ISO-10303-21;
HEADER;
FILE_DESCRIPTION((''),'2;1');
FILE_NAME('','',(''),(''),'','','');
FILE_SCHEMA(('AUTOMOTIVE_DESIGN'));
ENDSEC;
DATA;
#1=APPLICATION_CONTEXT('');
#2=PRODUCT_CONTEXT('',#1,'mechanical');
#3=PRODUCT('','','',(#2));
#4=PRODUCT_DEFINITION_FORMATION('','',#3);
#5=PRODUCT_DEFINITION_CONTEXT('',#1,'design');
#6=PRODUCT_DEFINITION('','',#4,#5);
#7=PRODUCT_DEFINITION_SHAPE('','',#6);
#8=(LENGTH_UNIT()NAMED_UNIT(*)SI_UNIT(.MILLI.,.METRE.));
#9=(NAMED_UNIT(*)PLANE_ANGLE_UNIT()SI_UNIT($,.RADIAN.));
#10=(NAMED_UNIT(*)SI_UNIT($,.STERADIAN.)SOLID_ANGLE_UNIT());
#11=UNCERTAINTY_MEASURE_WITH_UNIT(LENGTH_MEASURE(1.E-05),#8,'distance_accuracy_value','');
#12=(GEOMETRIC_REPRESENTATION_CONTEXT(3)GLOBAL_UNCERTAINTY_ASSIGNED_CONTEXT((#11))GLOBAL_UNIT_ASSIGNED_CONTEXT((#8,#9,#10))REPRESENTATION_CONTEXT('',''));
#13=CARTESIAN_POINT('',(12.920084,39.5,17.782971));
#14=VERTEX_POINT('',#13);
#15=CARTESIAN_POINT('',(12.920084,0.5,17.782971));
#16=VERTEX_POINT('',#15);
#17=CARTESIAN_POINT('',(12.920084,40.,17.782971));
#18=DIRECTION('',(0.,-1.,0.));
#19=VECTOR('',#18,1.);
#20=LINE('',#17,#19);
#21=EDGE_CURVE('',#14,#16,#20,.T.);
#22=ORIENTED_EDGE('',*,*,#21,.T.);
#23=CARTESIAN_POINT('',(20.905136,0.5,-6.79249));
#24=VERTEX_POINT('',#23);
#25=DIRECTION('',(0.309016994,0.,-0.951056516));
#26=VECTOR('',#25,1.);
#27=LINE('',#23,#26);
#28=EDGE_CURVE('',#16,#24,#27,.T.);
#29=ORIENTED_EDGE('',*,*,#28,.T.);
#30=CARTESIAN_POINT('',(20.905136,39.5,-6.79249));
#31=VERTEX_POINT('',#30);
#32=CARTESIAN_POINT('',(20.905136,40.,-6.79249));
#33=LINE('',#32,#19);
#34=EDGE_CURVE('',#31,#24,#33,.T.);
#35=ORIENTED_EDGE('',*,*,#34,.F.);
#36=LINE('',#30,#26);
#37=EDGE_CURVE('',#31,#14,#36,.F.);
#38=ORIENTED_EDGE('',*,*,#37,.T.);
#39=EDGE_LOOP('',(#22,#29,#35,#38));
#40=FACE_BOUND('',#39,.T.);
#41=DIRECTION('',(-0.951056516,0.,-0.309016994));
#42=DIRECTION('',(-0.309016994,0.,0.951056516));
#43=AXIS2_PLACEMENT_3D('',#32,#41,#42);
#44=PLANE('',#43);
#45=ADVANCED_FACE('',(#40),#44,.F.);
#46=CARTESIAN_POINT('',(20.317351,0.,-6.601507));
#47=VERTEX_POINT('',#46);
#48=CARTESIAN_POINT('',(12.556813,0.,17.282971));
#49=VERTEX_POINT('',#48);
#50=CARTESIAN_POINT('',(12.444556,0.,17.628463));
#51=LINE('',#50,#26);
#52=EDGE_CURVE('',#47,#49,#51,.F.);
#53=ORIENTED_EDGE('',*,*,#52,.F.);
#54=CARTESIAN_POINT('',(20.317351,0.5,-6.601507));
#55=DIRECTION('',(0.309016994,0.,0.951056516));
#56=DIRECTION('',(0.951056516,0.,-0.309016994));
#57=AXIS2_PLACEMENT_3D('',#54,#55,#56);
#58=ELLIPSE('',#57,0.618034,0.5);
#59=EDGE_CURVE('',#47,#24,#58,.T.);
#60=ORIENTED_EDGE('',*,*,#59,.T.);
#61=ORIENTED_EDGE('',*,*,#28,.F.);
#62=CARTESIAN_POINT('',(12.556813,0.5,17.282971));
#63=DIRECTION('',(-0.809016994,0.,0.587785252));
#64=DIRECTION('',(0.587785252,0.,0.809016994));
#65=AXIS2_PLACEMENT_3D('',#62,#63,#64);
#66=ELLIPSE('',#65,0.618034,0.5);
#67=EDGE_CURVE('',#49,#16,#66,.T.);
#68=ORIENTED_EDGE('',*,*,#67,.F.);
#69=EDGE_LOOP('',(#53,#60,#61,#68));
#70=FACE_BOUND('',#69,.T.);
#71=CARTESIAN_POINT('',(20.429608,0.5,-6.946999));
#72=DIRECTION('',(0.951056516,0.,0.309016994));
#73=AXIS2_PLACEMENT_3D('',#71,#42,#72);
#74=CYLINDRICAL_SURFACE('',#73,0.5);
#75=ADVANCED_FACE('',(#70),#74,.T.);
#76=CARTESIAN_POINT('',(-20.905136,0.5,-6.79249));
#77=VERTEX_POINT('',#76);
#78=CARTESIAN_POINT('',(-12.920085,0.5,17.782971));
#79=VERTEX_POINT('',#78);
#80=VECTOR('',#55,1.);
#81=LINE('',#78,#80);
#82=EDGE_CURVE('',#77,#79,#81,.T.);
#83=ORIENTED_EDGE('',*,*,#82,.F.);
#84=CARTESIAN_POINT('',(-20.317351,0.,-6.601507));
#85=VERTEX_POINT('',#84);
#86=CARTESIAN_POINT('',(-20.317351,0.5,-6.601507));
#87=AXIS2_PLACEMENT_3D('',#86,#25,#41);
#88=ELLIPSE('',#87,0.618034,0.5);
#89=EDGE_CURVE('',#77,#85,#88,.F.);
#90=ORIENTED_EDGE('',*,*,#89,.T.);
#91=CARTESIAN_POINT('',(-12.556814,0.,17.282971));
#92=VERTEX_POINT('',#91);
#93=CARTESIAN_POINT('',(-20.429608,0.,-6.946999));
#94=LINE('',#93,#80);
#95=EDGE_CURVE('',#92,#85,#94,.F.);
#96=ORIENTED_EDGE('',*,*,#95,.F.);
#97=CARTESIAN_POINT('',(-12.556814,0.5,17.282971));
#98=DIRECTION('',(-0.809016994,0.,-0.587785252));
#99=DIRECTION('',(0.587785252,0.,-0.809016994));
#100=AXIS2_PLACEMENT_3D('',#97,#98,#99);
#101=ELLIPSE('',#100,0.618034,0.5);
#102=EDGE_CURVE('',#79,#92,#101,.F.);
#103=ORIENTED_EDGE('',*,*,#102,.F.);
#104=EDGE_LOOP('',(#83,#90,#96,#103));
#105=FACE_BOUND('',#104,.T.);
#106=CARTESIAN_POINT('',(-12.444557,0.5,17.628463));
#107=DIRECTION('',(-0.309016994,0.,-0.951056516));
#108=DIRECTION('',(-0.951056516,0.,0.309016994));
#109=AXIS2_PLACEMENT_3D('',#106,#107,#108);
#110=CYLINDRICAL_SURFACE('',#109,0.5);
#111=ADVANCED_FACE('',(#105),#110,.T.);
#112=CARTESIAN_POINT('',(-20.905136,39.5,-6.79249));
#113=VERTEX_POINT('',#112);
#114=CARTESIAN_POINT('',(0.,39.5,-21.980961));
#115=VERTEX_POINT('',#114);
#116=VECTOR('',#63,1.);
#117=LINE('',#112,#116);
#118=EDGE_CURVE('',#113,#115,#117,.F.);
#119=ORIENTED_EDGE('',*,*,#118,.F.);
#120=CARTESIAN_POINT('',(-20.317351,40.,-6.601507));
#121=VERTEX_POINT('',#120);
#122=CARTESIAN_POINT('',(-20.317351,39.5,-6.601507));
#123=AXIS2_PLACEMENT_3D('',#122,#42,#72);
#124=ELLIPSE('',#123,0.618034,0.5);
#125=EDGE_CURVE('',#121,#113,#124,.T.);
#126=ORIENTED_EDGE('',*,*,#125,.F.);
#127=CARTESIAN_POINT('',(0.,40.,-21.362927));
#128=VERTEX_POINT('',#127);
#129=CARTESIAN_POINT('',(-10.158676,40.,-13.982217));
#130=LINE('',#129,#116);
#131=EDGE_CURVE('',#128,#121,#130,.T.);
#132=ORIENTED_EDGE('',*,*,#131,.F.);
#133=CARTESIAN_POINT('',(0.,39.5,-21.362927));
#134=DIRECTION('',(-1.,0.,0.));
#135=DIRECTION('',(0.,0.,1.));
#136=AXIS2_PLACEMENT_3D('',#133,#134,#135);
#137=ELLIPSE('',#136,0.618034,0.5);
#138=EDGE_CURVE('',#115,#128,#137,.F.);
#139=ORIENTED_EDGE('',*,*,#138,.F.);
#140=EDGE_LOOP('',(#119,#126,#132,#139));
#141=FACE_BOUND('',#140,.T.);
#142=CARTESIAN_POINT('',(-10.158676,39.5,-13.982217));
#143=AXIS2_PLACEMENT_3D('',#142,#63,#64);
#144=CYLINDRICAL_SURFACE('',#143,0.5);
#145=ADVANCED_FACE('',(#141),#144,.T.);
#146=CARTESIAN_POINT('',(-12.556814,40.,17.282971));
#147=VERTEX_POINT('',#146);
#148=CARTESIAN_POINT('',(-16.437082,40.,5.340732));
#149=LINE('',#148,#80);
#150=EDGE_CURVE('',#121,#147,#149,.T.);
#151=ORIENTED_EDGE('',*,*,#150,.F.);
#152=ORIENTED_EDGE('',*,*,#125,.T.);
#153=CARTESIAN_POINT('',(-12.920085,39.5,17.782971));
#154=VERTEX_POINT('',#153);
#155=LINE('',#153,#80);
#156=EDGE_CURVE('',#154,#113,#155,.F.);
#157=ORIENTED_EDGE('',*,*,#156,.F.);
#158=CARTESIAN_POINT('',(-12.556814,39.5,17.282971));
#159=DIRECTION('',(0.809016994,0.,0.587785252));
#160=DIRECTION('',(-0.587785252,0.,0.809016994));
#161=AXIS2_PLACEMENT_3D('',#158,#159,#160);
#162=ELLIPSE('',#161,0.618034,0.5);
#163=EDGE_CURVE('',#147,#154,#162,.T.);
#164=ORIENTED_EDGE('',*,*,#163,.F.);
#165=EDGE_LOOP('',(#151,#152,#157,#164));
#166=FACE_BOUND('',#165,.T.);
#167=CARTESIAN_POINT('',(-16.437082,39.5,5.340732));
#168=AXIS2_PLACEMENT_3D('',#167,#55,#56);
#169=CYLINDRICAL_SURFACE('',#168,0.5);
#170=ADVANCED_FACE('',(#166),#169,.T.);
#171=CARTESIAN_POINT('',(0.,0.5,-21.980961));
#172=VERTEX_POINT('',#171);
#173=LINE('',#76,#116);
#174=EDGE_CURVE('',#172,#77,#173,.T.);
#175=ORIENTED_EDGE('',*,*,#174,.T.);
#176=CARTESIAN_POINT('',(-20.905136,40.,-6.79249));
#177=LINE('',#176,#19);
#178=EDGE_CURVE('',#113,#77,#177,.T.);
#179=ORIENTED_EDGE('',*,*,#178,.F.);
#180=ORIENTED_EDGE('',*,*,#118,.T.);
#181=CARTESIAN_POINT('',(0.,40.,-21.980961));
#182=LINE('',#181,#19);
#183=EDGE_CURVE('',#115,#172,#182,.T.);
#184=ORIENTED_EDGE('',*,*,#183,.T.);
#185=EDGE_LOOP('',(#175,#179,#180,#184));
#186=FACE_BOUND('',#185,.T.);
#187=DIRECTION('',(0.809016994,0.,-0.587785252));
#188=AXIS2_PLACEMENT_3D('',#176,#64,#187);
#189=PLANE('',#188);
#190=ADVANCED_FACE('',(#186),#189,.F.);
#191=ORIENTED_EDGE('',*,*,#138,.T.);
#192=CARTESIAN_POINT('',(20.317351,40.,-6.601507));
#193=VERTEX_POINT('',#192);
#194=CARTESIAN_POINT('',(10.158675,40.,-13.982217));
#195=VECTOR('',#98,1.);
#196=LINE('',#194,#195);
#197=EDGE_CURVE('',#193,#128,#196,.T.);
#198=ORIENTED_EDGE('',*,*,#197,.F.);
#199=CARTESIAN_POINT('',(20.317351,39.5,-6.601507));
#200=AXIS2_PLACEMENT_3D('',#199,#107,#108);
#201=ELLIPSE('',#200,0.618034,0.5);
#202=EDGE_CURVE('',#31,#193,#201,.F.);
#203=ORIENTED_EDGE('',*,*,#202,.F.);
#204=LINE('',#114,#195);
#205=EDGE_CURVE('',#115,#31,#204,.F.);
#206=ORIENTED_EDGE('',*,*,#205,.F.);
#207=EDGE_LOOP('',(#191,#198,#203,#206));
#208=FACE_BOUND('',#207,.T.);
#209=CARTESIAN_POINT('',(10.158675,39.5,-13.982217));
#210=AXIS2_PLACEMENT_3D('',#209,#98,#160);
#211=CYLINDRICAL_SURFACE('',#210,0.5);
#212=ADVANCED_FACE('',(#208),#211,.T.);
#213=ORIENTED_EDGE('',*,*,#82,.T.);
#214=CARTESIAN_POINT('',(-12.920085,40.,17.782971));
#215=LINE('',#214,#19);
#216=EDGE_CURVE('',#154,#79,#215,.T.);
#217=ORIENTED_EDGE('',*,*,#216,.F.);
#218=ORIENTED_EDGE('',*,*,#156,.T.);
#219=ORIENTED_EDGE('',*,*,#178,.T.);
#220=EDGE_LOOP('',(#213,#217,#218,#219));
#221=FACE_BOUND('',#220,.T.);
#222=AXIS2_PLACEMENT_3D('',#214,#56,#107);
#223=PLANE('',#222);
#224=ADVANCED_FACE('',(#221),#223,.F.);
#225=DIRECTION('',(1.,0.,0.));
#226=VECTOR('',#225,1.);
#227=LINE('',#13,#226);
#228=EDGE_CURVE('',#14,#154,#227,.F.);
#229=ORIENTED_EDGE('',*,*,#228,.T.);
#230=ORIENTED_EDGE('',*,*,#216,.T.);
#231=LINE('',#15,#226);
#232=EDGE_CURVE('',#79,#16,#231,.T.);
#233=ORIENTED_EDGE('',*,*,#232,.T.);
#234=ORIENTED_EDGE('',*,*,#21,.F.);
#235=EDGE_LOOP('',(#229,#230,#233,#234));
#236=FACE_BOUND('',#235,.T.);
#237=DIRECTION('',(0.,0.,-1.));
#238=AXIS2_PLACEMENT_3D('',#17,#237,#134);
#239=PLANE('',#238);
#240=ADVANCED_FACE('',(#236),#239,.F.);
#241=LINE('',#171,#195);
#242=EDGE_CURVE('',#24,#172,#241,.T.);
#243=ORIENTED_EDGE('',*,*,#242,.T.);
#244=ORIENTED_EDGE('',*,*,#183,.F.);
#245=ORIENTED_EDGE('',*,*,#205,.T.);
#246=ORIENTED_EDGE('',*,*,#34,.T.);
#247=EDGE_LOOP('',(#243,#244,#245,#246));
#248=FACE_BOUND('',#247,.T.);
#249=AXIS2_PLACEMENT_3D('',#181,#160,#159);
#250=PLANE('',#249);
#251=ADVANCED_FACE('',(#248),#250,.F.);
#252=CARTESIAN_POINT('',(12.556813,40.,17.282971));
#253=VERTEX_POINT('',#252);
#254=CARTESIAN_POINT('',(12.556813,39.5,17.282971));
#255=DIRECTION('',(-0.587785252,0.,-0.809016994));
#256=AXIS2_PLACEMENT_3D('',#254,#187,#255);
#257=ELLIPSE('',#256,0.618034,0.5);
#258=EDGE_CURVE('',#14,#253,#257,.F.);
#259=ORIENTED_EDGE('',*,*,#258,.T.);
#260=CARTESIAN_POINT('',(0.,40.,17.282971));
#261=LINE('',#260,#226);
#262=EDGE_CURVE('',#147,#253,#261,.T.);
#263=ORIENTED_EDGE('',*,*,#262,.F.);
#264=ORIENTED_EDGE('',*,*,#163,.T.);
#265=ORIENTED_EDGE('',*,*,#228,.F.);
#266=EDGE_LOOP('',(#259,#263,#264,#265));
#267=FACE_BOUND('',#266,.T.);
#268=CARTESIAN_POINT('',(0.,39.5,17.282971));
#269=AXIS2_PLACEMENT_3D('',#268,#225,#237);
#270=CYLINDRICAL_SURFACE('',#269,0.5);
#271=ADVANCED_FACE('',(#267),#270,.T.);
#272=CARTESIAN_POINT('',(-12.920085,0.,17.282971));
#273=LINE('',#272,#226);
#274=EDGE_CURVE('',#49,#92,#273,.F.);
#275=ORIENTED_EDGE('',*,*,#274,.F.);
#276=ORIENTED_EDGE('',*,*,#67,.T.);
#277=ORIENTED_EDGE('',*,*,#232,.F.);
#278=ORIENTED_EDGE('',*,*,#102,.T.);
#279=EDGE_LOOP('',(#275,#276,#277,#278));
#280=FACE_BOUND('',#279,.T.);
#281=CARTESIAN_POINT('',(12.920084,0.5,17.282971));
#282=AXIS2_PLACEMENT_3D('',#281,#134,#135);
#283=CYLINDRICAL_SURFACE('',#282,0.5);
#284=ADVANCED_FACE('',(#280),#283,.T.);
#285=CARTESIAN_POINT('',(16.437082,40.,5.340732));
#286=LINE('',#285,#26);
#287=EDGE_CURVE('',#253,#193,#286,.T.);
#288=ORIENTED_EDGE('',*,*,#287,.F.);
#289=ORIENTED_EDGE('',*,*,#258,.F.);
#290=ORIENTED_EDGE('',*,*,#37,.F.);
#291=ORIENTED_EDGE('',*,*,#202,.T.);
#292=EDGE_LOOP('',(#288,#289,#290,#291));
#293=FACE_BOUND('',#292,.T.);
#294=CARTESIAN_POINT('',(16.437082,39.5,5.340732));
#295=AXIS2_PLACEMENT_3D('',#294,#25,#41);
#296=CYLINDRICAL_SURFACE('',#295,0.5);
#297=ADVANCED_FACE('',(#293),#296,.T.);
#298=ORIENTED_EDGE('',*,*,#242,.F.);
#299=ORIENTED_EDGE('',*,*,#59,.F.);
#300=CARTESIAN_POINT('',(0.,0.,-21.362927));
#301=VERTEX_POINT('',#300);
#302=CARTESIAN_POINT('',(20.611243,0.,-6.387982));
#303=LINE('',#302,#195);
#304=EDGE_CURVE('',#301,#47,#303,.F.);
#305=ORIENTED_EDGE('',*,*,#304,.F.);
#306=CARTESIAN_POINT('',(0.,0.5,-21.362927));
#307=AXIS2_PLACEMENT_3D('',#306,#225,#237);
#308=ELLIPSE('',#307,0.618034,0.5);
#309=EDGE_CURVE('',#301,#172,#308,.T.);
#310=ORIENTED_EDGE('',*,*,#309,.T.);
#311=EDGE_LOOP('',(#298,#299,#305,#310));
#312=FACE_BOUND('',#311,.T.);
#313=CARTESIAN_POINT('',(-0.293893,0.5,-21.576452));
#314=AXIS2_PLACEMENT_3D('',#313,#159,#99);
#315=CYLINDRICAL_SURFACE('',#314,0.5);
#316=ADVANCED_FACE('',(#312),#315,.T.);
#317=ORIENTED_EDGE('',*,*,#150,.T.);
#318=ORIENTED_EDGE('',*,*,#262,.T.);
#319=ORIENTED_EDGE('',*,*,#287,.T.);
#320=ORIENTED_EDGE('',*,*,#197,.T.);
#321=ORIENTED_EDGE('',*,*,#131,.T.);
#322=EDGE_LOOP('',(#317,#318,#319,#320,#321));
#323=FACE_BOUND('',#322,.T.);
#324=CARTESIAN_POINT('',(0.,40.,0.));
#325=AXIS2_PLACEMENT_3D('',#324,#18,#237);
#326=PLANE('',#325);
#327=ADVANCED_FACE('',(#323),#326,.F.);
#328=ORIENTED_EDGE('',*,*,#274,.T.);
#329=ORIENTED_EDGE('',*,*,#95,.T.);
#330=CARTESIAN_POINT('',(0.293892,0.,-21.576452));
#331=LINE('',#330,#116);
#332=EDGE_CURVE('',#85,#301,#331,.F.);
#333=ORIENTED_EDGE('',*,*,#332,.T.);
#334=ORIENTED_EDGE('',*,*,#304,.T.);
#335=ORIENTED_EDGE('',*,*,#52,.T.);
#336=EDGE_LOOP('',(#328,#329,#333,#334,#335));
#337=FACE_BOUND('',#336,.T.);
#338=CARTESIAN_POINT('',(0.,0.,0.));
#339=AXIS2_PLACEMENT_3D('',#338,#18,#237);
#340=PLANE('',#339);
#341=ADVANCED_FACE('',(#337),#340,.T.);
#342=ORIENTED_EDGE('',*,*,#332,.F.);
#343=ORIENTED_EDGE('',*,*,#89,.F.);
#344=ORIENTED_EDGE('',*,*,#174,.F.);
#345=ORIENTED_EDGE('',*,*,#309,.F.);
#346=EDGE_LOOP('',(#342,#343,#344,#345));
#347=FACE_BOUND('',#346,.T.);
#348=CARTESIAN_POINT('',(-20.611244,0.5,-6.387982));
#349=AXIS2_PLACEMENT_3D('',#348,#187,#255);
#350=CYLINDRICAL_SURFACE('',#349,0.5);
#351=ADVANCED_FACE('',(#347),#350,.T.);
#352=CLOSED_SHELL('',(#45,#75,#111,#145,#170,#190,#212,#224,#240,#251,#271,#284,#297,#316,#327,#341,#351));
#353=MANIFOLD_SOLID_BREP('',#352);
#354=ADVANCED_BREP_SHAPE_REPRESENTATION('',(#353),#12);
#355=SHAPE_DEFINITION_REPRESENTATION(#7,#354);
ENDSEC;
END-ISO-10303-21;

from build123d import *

# Parameters (mm, degrees)
BOSS_EXTRUDE1_DEPTH = 40
FILLET1_R           = 0.5


with BuildPart() as part:
    # Sketch1 → Boss-Extrude1 (new body)
    with BuildSketch(Plane(origin=(0, 0, 0), x_dir=(-1, 0, 0), z_dir=(0, 1, 0))):
        Polygon((12.920084942, 17.782971123), (20.905136432, -6.792490393), (2.28e-07, -21.980960899), (-20.905135976, -6.792490393), (-12.920084486, 17.782971123), align=None)
    extrude(amount=BOSS_EXTRUDE1_DEPTH)

    # Fillet1
    fillet1_edges = [part.edges().sort_by_distance(p)[0] for p in [
        (10.452567874, 40, -14.386725646),
        (-10.45256833, 40, -14.386725646),
        (-16.912610687, 40, 5.495240365),
        (-2.28e-07, 40, 17.782971123),
        (-16.912610687, 0, 5.495240365),
        (-10.45256833, 0, -14.386725646),
        (10.452567874, 0, -14.386725646),
        (16.912610231, 0, 5.495240365),
        (-2.28e-07, 0, 17.782971123),
        (16.912610231, 40, 5.495240365),
    ]]
    fillet(fillet1_edges, radius=FILLET1_R)


solid = part.part
